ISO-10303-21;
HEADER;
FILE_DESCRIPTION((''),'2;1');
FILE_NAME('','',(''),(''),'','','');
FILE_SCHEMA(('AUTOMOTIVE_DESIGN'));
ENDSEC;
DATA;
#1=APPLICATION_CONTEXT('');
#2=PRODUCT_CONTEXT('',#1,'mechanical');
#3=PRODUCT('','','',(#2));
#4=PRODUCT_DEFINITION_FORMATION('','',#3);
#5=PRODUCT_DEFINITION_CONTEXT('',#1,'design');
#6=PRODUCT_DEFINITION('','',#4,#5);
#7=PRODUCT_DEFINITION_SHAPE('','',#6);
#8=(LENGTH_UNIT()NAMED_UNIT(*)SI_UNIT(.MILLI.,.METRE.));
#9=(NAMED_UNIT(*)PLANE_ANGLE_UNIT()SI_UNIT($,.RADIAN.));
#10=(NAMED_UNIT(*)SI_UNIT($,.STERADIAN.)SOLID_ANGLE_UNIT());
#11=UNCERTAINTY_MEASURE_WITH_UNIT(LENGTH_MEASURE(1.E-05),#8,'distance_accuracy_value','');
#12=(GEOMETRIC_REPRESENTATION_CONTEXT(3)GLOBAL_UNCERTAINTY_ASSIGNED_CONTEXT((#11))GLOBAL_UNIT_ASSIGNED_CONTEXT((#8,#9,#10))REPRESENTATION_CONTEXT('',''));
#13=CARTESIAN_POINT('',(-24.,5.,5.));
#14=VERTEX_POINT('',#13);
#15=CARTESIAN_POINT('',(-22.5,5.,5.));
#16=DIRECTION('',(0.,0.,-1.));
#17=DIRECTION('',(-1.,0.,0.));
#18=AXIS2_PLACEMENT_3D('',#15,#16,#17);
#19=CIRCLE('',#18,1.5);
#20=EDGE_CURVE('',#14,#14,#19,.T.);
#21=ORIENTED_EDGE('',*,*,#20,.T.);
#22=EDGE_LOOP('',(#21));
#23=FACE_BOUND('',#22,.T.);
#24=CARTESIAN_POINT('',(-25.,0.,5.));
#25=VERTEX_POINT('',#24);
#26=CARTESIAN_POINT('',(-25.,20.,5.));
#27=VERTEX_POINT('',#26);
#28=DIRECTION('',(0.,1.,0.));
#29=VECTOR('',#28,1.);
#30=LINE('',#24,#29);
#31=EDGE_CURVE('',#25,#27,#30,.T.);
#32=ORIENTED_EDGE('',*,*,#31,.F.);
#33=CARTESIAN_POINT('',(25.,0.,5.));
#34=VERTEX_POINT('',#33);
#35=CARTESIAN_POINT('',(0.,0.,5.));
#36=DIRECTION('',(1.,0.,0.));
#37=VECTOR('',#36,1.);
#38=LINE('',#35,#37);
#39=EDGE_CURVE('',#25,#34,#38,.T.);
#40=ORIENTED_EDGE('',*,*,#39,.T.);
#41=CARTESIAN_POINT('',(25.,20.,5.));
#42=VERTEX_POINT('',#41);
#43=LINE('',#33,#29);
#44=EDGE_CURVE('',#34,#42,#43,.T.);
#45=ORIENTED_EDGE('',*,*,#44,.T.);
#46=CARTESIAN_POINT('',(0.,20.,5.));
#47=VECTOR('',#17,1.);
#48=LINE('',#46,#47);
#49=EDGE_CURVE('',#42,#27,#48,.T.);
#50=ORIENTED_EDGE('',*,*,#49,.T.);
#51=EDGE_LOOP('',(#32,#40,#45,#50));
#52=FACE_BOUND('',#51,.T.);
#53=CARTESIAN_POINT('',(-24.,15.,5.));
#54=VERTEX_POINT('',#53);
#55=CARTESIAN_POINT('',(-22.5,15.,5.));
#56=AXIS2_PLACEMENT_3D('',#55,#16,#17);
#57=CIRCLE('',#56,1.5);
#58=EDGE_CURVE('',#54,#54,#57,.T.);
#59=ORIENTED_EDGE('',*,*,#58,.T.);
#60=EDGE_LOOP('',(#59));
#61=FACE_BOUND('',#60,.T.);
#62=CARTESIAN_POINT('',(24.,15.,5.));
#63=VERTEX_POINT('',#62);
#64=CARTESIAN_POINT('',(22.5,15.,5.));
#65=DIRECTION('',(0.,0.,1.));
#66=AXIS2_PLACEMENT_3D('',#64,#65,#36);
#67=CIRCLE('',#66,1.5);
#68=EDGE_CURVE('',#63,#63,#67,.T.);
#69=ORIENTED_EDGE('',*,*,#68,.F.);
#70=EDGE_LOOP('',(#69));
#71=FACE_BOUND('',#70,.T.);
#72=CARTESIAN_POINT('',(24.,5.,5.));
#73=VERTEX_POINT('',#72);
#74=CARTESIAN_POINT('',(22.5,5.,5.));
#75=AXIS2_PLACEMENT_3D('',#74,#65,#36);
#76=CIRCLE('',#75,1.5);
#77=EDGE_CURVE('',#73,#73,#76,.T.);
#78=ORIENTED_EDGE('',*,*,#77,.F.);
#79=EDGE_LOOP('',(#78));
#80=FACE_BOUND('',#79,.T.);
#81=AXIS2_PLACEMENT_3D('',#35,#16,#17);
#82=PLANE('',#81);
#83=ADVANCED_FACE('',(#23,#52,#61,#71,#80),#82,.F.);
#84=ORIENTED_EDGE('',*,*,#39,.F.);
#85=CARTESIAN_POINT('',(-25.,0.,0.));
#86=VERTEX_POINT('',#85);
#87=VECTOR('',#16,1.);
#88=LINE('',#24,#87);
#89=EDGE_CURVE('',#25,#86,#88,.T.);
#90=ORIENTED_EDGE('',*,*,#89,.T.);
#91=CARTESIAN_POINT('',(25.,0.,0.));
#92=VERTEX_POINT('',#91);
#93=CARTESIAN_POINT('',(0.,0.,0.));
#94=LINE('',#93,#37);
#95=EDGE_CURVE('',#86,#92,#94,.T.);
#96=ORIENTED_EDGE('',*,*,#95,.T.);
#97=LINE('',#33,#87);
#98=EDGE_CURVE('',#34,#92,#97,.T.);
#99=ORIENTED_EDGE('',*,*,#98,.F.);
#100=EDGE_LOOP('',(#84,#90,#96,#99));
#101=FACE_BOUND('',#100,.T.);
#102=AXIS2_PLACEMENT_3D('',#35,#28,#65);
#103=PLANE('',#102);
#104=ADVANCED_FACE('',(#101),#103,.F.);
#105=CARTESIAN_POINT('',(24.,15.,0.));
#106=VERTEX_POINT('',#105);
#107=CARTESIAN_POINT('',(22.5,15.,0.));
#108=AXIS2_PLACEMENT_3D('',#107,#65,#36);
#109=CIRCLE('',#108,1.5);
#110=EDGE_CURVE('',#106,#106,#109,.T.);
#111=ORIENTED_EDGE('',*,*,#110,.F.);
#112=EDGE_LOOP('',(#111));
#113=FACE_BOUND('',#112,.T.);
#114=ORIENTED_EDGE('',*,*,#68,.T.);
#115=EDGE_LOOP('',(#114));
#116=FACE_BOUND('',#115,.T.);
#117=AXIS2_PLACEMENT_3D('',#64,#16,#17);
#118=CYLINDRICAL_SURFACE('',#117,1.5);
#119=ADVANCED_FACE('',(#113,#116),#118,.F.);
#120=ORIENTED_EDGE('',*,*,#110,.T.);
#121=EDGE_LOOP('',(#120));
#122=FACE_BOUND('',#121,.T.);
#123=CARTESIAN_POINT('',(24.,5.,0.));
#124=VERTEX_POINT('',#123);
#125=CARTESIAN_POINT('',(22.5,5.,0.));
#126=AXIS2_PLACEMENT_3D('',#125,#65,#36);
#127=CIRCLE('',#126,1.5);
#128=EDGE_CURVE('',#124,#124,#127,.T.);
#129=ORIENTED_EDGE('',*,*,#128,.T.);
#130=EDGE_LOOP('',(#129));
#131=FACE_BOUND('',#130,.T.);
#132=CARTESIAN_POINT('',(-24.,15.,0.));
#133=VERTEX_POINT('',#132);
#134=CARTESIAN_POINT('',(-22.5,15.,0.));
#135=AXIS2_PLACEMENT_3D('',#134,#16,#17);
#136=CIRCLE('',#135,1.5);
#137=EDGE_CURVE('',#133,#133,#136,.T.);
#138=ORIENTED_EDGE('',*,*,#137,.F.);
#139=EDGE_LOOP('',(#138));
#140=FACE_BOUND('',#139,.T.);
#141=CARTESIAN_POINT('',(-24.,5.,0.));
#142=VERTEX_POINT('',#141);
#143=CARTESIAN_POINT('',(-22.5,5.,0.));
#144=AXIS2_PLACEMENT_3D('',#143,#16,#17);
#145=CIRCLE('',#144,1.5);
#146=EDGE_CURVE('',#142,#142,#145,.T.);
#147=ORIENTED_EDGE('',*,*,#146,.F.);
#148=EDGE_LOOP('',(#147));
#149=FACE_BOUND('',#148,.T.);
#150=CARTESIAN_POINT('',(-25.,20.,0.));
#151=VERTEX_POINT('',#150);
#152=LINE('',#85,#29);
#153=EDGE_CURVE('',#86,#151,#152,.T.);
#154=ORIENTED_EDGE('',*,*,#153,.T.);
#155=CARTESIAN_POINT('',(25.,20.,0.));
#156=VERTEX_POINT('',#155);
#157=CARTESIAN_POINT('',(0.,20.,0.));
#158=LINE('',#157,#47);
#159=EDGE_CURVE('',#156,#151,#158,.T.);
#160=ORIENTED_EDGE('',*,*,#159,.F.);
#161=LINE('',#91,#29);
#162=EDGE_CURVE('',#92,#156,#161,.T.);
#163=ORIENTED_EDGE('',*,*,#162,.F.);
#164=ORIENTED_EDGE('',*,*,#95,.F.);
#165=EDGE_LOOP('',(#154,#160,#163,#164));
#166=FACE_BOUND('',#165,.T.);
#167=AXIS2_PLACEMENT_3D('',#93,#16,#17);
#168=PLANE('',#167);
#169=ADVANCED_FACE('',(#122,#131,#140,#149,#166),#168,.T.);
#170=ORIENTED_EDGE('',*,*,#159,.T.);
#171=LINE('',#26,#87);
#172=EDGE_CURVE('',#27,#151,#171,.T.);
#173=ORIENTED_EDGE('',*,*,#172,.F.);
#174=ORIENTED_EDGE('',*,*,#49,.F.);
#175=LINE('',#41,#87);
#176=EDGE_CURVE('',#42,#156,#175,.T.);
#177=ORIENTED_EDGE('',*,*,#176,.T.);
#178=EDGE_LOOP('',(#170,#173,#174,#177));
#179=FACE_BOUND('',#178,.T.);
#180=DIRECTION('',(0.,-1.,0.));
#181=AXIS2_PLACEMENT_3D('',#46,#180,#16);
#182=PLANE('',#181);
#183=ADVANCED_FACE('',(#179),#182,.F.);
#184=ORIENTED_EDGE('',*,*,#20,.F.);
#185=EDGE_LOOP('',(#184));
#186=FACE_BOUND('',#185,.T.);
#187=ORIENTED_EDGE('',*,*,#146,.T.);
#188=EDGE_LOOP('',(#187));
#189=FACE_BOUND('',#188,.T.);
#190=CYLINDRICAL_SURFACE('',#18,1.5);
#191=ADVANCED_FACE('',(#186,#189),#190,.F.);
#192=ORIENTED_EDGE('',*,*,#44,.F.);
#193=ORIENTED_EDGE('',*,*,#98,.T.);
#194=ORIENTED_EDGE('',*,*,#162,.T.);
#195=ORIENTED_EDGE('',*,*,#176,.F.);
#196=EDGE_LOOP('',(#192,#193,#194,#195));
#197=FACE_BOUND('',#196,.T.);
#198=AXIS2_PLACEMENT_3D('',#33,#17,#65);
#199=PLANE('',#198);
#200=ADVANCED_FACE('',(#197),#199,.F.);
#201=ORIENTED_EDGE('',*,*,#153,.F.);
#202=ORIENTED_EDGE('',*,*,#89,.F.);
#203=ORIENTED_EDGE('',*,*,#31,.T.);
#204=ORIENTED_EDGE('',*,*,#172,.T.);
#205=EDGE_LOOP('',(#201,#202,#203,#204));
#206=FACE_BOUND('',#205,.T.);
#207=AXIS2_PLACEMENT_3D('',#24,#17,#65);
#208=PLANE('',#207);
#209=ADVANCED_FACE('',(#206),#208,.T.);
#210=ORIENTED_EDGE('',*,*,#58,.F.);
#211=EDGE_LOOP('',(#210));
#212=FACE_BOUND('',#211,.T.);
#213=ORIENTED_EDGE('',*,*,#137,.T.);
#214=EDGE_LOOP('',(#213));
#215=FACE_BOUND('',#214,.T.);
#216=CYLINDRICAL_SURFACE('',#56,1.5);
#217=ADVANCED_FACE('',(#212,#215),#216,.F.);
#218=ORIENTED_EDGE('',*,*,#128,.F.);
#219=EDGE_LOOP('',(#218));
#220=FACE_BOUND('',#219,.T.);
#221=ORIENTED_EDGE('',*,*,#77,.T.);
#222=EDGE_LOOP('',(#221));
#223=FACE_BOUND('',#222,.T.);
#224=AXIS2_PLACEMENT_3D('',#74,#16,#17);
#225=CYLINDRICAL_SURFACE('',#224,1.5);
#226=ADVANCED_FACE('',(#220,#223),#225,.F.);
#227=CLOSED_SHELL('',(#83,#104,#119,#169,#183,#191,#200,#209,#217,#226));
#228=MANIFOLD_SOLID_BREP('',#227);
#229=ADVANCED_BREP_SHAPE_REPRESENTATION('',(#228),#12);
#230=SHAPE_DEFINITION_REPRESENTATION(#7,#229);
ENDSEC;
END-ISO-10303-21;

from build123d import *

# Parameters (mm, degrees)
SKETCH1_W           = 25
SKETCH1_H           = 20
SKETCH1_R           = 1.5
BOSS_EXTRUDE1_DEPTH = 5


with BuildPart() as part:
    # Sketch1 → Boss-Extrude1 (new body)
    with BuildSketch(Plane.XY):
        with Locations((12.5, 10)):
            Rectangle(SKETCH1_W, SKETCH1_H)
        with Locations((22.5, 5)):
            Circle(SKETCH1_R, mode=Mode.SUBTRACT)
        with Locations((22.5, 15)):
            Circle(SKETCH1_R, mode=Mode.SUBTRACT)
    boss_extrude1 = extrude(amount=BOSS_EXTRUDE1_DEPTH)

    # Mirror1: Boss-Extrude1 across plane
    add(boss_extrude1.mirror(Plane(origin=(0, 0, 5), x_dir=(0, 0, 1), z_dir=(1, 0, 0))))


solid = part.part
